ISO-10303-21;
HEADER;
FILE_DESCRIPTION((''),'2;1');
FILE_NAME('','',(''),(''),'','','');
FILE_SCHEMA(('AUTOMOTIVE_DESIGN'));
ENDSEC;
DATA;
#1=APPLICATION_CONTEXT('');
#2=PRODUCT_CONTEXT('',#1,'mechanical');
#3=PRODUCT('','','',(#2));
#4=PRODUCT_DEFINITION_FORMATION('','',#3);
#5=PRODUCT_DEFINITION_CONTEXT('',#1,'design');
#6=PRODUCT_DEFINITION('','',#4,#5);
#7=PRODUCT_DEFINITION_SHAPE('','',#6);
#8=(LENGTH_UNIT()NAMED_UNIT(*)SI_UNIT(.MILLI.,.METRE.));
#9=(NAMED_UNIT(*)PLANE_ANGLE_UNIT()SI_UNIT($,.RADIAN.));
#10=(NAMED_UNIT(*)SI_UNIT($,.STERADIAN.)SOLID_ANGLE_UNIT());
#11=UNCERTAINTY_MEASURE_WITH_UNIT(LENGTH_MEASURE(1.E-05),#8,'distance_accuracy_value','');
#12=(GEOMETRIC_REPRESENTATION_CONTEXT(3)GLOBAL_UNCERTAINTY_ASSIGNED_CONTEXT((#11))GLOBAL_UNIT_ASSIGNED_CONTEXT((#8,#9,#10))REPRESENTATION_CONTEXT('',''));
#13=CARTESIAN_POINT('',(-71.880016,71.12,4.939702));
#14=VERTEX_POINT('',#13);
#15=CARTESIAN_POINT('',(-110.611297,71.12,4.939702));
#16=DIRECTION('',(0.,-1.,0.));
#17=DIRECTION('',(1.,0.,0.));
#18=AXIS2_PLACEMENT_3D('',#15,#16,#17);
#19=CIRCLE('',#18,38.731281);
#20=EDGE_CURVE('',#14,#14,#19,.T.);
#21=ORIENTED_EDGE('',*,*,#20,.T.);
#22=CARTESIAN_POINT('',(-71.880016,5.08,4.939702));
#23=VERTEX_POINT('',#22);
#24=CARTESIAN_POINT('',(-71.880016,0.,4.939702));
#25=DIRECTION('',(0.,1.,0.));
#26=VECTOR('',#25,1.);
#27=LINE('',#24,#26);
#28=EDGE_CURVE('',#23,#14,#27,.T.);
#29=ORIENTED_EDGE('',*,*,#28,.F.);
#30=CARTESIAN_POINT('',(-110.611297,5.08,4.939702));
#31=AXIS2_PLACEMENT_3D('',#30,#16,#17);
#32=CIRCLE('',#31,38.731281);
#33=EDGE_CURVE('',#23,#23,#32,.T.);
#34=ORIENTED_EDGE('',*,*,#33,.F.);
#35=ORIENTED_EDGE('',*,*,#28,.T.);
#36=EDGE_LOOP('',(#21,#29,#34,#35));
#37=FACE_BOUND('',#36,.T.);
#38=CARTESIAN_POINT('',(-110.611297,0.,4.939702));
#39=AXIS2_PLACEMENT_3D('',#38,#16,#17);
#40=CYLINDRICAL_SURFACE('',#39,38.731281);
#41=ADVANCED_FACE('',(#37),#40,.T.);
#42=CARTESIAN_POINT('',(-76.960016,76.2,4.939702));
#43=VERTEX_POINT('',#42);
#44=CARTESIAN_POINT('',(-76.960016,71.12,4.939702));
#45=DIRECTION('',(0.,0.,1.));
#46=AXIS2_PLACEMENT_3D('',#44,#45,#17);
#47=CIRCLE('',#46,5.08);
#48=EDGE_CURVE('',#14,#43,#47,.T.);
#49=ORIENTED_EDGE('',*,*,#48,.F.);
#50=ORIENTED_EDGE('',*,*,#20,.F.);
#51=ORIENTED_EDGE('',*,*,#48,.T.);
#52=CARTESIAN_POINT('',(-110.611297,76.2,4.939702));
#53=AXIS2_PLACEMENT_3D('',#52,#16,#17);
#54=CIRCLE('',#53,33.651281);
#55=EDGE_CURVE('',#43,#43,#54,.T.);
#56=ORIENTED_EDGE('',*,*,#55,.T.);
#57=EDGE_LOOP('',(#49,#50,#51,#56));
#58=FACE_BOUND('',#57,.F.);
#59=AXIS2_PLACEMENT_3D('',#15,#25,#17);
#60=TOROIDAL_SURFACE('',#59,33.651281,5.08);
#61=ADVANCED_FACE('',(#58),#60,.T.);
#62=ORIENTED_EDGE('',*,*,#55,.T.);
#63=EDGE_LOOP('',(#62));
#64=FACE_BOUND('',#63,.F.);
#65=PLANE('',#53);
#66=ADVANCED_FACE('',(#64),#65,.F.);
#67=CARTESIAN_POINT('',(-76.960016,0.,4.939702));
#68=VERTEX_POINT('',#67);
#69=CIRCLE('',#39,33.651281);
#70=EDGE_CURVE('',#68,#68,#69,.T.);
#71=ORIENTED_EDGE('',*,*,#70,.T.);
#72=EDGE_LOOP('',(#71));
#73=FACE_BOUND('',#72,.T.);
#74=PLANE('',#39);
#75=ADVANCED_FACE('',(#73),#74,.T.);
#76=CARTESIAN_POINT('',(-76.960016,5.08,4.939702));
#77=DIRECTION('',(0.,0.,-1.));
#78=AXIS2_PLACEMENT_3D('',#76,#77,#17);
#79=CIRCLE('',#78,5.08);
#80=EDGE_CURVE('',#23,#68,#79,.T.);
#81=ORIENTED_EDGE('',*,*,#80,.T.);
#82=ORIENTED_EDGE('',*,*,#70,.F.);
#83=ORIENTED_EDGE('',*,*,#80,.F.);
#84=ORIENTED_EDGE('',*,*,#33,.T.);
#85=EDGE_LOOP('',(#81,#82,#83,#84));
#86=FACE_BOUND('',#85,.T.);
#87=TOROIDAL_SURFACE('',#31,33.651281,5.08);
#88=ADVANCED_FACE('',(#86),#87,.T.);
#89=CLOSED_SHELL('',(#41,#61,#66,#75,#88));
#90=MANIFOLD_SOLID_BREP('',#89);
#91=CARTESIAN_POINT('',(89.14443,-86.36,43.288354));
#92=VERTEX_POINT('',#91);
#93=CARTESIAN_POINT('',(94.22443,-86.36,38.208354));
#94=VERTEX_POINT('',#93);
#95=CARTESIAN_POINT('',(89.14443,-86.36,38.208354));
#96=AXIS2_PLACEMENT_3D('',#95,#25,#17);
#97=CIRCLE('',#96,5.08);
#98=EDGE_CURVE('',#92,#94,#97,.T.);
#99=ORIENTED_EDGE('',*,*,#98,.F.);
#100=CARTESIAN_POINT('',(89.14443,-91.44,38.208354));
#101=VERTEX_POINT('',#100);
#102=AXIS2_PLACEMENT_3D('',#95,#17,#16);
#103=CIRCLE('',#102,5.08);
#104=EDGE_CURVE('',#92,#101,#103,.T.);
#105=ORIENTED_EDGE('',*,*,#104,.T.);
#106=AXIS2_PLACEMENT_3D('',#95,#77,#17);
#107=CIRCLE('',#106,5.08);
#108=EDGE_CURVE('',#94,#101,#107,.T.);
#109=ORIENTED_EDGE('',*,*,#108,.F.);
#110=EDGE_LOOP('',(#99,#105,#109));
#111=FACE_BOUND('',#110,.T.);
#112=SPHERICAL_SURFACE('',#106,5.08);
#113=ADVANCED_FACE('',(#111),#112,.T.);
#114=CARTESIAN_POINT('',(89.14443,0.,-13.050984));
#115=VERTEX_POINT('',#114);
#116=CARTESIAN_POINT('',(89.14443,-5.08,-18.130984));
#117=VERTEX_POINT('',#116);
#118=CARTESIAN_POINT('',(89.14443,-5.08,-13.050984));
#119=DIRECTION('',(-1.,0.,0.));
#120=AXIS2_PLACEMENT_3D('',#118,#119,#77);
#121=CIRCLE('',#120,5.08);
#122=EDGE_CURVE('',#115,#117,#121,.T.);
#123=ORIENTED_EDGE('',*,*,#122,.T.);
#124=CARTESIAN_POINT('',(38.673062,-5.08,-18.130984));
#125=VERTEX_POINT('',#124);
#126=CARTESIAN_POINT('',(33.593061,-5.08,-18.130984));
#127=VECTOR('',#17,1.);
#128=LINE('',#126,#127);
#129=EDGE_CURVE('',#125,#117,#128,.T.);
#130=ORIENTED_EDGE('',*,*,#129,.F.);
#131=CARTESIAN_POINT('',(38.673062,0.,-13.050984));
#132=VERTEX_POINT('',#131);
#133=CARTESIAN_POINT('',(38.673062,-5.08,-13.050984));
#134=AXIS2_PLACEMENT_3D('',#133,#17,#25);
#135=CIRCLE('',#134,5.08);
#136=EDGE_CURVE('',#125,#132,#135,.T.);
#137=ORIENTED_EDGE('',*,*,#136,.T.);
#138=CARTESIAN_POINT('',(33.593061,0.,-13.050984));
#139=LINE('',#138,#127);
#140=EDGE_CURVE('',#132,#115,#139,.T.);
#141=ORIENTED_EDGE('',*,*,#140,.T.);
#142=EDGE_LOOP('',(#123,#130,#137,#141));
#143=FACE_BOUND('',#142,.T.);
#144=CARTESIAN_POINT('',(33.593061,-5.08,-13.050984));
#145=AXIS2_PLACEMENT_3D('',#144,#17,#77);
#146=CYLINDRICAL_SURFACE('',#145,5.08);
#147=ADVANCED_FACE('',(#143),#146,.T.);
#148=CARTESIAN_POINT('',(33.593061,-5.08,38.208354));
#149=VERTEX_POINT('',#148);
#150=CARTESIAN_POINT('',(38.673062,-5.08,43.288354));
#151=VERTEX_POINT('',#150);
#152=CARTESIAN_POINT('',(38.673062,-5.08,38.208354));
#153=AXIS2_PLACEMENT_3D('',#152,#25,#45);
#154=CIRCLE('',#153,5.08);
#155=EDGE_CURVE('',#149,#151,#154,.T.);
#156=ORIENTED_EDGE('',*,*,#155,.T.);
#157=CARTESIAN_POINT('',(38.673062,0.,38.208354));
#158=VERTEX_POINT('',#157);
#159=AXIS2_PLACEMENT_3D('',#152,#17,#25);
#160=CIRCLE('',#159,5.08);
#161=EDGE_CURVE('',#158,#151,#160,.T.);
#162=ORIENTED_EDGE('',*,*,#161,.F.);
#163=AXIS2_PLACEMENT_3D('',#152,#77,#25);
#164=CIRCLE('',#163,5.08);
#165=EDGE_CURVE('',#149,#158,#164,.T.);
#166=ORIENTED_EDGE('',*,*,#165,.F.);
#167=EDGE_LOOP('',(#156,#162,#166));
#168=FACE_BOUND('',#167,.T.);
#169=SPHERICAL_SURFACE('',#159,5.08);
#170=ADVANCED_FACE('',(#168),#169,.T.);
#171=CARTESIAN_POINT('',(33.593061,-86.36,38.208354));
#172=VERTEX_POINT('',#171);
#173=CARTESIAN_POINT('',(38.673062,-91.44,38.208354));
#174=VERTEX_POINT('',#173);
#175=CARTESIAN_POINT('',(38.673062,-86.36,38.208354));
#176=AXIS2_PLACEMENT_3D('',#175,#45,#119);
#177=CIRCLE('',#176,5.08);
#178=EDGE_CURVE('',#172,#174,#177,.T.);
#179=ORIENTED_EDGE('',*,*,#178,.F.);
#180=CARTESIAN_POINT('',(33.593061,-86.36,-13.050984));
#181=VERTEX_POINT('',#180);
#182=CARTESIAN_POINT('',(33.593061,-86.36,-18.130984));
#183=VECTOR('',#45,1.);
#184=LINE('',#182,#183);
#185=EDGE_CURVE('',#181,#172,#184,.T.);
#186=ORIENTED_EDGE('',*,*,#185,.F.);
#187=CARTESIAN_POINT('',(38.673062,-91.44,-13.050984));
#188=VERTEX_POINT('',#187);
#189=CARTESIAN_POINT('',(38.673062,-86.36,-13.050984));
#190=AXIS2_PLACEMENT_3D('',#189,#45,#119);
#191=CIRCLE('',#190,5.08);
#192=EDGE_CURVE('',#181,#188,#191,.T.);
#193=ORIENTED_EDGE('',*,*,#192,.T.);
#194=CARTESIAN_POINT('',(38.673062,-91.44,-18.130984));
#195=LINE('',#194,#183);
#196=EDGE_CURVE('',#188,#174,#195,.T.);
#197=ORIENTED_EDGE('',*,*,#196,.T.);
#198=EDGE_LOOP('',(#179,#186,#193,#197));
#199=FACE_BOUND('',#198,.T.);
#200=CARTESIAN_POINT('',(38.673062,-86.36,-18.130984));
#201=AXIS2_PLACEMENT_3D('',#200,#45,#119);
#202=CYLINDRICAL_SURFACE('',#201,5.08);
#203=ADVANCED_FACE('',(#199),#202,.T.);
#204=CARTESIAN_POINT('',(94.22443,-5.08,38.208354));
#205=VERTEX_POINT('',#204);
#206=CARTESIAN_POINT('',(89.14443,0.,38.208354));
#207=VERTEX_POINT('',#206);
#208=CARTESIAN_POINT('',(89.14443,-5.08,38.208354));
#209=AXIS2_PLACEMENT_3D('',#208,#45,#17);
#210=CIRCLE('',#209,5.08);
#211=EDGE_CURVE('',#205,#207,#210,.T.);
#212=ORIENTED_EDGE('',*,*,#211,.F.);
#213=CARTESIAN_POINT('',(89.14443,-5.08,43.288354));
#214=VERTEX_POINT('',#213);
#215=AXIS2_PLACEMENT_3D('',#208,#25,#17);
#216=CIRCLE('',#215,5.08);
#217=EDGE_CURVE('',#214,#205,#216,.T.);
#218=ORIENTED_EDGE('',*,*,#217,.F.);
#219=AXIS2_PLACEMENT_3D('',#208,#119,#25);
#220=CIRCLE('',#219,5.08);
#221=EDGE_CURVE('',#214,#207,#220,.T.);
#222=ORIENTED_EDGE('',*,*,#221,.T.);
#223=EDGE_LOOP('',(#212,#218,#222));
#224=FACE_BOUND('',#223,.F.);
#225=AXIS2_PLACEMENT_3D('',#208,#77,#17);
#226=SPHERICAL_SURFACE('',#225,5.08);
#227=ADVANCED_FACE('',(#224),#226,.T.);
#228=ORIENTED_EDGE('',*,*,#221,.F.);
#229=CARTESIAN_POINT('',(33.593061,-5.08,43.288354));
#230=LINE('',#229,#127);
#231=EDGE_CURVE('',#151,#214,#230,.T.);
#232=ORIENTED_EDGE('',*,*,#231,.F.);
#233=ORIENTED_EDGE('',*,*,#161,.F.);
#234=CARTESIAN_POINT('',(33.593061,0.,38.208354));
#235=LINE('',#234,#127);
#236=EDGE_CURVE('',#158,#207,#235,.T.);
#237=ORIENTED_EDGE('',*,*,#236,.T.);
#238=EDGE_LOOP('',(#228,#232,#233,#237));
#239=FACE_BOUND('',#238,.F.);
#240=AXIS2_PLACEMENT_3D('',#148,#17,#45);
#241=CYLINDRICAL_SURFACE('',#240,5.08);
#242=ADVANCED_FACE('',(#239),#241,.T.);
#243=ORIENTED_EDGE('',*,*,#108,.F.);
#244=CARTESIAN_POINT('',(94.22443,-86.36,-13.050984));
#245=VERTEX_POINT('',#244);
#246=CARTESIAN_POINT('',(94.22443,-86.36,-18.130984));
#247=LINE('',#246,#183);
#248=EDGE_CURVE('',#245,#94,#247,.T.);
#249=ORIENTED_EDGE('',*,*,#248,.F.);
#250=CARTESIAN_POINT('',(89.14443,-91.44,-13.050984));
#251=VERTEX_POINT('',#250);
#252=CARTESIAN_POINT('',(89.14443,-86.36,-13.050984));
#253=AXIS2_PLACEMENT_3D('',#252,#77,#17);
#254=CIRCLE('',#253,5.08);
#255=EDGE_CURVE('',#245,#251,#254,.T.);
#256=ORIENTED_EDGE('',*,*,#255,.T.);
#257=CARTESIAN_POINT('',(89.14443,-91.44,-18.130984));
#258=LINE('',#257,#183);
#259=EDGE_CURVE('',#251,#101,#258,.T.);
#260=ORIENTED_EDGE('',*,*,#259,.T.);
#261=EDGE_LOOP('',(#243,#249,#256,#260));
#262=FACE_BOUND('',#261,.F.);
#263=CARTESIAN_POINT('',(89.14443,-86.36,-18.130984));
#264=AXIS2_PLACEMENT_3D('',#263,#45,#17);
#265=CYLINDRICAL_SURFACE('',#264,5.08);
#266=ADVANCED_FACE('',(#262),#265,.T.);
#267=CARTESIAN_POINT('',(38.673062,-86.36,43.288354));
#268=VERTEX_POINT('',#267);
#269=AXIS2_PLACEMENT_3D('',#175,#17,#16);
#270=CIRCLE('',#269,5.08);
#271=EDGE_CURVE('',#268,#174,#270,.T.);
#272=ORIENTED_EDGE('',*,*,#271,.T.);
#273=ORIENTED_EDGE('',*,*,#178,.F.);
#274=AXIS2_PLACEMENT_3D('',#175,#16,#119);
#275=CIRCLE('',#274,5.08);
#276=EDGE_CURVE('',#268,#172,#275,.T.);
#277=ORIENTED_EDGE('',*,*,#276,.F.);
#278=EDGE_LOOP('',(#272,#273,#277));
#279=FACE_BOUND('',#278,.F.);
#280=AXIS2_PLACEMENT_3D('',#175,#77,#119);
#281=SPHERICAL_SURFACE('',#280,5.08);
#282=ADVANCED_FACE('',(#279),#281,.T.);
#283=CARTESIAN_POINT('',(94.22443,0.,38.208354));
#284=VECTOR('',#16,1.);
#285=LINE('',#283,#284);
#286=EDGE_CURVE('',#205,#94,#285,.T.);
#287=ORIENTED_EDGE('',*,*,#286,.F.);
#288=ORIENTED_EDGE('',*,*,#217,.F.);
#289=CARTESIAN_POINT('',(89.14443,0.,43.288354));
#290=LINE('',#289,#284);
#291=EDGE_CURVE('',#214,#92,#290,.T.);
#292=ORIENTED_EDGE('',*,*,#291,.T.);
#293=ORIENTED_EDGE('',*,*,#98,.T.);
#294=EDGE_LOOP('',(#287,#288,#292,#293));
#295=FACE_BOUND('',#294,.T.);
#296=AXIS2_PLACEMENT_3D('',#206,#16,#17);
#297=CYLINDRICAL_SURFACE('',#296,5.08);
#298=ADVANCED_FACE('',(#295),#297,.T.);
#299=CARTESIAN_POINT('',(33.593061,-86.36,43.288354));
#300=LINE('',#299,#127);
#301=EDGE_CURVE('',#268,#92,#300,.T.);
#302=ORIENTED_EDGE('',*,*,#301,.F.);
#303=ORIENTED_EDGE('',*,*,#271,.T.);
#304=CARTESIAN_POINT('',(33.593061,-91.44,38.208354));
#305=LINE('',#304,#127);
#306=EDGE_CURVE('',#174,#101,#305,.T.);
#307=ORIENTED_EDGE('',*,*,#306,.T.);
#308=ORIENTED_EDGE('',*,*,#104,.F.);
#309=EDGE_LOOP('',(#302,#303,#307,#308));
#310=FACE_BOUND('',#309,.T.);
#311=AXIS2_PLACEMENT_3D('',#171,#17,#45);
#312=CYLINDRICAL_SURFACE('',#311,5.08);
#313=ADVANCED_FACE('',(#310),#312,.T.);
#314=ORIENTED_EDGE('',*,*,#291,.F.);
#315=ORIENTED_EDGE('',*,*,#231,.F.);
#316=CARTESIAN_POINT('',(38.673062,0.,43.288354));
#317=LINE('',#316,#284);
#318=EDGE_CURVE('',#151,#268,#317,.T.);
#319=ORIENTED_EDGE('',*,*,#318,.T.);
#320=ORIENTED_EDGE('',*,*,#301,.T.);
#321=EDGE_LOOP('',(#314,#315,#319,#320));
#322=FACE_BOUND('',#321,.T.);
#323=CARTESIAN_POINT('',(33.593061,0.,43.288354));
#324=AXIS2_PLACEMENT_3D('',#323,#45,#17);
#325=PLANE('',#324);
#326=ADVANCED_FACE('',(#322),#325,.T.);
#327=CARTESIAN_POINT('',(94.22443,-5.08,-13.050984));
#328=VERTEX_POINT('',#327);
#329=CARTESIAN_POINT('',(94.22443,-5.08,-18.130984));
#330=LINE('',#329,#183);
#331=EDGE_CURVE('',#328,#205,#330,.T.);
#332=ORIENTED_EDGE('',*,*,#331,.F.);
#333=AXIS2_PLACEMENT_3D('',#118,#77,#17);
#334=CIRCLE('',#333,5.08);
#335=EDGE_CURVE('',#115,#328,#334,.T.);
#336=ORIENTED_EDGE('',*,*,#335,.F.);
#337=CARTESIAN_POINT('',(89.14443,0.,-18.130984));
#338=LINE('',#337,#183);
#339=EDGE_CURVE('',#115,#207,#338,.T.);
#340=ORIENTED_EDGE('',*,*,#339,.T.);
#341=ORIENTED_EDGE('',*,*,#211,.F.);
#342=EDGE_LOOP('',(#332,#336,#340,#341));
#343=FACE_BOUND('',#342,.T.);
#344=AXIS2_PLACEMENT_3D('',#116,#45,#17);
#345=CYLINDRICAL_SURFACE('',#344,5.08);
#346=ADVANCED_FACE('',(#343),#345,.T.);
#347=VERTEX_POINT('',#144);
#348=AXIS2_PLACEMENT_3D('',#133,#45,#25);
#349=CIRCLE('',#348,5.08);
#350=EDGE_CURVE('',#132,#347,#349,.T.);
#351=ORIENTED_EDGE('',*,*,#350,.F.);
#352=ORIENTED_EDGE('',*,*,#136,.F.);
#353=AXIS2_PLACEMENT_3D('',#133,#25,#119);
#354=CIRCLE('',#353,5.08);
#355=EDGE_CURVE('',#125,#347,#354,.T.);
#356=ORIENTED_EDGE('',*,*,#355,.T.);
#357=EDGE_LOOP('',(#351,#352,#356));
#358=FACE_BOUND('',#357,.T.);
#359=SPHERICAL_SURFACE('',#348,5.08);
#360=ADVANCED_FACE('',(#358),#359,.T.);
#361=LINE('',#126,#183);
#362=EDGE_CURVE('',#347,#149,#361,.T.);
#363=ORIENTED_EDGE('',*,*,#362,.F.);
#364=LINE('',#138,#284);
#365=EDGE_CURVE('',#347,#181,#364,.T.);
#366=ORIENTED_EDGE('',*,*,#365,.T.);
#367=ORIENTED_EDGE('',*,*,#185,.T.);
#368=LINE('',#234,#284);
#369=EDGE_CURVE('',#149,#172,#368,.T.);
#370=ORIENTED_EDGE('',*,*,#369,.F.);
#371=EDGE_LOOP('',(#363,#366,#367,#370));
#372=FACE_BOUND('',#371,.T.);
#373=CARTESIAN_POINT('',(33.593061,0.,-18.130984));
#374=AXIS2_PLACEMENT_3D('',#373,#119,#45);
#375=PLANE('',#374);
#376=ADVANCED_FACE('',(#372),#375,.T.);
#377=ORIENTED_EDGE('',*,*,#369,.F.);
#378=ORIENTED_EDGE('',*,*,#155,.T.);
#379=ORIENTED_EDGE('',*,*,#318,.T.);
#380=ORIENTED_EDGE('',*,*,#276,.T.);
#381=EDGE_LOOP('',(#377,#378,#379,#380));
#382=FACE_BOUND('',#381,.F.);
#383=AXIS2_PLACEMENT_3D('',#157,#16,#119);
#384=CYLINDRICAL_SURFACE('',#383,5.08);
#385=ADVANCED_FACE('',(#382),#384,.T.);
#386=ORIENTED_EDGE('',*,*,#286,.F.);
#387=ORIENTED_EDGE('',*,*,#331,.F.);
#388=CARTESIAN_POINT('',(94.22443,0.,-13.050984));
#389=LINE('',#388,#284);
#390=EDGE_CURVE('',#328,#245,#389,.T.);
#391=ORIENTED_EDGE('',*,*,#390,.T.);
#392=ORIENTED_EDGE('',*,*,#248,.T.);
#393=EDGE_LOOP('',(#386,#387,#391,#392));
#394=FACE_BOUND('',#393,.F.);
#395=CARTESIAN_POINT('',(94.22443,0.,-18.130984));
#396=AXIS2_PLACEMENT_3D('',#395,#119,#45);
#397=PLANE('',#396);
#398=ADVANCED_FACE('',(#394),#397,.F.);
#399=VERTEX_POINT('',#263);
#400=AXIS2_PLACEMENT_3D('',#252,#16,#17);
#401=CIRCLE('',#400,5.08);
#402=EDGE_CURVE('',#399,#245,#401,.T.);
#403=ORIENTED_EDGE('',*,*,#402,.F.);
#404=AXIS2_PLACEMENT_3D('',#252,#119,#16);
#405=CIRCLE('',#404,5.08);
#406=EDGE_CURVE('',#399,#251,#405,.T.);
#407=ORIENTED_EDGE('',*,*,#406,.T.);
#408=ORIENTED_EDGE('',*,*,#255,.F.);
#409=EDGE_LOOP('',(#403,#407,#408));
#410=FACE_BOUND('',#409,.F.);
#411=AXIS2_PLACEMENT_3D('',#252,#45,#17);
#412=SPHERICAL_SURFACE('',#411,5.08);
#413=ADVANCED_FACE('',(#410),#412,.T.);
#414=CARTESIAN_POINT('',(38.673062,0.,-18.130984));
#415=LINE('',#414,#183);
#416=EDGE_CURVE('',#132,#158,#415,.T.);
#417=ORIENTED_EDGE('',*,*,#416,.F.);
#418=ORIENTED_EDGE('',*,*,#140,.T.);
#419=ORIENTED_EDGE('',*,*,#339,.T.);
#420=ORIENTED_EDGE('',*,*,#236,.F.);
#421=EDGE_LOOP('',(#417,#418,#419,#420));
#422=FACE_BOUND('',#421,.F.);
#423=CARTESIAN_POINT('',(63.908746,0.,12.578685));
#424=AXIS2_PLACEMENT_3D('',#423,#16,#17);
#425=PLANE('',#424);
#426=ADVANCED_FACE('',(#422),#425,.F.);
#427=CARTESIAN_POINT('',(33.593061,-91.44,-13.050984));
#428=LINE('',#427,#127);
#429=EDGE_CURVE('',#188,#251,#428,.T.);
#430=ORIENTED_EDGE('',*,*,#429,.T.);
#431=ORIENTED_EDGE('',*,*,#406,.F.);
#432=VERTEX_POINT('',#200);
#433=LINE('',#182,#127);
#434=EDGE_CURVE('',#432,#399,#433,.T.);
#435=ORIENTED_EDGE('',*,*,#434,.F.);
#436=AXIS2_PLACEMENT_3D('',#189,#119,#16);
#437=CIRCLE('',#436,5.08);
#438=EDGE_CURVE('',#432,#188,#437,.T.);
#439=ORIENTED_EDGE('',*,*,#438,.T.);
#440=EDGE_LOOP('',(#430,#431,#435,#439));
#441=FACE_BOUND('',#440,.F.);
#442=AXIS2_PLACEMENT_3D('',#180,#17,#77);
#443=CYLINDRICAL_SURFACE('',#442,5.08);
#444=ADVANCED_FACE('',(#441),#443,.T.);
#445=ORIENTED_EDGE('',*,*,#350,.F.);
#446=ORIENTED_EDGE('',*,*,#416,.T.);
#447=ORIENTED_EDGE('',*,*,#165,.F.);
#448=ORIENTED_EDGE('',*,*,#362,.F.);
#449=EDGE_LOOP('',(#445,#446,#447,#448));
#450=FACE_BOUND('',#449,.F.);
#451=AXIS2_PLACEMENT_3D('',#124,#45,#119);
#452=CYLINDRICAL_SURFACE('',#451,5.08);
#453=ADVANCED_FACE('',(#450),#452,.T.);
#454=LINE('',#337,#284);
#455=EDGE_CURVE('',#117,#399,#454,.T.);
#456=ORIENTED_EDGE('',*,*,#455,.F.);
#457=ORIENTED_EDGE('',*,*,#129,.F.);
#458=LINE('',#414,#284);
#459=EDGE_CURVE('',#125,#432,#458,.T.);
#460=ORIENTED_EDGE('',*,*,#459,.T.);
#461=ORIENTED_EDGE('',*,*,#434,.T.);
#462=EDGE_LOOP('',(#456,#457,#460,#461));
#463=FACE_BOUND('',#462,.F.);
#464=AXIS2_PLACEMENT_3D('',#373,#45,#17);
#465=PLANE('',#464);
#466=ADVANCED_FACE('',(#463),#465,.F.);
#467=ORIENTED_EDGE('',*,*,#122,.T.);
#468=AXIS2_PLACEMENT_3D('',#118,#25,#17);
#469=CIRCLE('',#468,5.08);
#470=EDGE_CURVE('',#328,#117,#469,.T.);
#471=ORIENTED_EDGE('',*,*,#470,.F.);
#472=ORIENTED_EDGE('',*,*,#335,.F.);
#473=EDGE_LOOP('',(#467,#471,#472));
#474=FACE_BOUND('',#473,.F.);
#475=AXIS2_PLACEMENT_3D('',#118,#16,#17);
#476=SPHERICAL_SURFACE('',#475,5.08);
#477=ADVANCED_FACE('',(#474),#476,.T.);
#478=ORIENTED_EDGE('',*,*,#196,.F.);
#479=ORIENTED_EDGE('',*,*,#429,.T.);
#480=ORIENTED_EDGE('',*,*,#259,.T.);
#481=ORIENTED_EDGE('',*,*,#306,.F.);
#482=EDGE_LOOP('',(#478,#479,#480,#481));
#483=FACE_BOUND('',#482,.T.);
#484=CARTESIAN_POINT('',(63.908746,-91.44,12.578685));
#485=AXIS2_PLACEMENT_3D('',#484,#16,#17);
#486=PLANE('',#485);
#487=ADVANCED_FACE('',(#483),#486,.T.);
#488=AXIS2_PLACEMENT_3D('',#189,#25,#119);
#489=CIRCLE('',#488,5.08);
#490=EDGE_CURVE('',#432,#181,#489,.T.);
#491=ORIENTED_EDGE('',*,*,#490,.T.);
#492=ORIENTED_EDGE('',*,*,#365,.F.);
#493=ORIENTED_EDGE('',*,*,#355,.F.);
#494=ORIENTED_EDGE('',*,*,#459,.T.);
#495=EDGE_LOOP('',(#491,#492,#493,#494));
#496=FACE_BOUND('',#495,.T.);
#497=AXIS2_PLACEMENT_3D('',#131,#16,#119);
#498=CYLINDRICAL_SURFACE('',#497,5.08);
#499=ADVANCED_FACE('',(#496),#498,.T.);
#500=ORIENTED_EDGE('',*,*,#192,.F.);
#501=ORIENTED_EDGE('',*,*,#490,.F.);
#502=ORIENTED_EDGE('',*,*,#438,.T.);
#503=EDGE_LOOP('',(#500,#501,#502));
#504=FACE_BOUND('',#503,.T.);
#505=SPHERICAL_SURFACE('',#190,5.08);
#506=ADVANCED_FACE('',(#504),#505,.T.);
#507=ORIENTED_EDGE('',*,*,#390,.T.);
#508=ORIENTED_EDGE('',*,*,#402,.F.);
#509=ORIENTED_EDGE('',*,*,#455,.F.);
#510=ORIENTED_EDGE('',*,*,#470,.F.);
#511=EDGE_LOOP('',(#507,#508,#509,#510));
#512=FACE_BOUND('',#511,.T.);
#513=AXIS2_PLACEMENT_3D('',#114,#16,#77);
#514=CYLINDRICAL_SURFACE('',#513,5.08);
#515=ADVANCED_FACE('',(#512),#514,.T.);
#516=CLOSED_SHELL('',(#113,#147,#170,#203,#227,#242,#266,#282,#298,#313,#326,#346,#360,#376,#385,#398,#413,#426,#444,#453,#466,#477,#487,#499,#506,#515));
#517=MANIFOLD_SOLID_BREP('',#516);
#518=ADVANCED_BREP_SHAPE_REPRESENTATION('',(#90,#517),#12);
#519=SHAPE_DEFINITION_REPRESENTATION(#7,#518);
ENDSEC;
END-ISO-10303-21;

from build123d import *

# Parameters (mm, degrees)
F0_R     = 38.731281
F1_DEPTH = 76.2
F2_R     = 5.08
F3_W     = 60.631369
F3_H     = 61.419338
F4_DEPTH = 91.44
F5_R     = 5.08


with BuildPart() as f1:
    # F0 (on Front) → F1 (new body)
    with BuildSketch(Plane.XZ):
        with Locations((-110.611297, 4.939702)):
            Circle(F0_R)
    extrude(amount=-F1_DEPTH)

    # F2
    f2_edges = [f1.edges().sort_by_distance(p)[0] for p in [
        (-149.342579, 76.2, 4.939702),
        (-149.342579, 0, 4.939702),
    ]]
    fillet(f2_edges, radius=F2_R)


with BuildPart() as f4:
    # F3 (on Front) → F4 (new body)
    with BuildSketch(Plane.XZ):
        with Locations((63.908746, 12.578685)):
            Rectangle(F3_W, F3_H)
    extrude(amount=F4_DEPTH)

    # F5
    f5_edges = [f4.edges().sort_by_distance(p)[0] for p in [
        (94.224431, -91.44, 12.578685),
        (94.224431, -45.72, -18.130984),
        (94.224431, 0, 12.578685),
        (94.224431, -45.72, 43.288354),
        (63.908746, 0, 43.288354),
        (33.593062, 0, 12.578685),
        (63.908746, 0, -18.130984),
        (33.593062, -91.44, 12.578685),
        (33.593062, -45.72, 43.288354),
        (33.593062, -45.72, -18.130984),
        (63.908746, -91.44, -18.130984),
        (63.908746, -91.44, 43.288354),
    ]]
    fillet(f5_edges, radius=F5_R)


solid = Compound([f1.part, f4.part])
